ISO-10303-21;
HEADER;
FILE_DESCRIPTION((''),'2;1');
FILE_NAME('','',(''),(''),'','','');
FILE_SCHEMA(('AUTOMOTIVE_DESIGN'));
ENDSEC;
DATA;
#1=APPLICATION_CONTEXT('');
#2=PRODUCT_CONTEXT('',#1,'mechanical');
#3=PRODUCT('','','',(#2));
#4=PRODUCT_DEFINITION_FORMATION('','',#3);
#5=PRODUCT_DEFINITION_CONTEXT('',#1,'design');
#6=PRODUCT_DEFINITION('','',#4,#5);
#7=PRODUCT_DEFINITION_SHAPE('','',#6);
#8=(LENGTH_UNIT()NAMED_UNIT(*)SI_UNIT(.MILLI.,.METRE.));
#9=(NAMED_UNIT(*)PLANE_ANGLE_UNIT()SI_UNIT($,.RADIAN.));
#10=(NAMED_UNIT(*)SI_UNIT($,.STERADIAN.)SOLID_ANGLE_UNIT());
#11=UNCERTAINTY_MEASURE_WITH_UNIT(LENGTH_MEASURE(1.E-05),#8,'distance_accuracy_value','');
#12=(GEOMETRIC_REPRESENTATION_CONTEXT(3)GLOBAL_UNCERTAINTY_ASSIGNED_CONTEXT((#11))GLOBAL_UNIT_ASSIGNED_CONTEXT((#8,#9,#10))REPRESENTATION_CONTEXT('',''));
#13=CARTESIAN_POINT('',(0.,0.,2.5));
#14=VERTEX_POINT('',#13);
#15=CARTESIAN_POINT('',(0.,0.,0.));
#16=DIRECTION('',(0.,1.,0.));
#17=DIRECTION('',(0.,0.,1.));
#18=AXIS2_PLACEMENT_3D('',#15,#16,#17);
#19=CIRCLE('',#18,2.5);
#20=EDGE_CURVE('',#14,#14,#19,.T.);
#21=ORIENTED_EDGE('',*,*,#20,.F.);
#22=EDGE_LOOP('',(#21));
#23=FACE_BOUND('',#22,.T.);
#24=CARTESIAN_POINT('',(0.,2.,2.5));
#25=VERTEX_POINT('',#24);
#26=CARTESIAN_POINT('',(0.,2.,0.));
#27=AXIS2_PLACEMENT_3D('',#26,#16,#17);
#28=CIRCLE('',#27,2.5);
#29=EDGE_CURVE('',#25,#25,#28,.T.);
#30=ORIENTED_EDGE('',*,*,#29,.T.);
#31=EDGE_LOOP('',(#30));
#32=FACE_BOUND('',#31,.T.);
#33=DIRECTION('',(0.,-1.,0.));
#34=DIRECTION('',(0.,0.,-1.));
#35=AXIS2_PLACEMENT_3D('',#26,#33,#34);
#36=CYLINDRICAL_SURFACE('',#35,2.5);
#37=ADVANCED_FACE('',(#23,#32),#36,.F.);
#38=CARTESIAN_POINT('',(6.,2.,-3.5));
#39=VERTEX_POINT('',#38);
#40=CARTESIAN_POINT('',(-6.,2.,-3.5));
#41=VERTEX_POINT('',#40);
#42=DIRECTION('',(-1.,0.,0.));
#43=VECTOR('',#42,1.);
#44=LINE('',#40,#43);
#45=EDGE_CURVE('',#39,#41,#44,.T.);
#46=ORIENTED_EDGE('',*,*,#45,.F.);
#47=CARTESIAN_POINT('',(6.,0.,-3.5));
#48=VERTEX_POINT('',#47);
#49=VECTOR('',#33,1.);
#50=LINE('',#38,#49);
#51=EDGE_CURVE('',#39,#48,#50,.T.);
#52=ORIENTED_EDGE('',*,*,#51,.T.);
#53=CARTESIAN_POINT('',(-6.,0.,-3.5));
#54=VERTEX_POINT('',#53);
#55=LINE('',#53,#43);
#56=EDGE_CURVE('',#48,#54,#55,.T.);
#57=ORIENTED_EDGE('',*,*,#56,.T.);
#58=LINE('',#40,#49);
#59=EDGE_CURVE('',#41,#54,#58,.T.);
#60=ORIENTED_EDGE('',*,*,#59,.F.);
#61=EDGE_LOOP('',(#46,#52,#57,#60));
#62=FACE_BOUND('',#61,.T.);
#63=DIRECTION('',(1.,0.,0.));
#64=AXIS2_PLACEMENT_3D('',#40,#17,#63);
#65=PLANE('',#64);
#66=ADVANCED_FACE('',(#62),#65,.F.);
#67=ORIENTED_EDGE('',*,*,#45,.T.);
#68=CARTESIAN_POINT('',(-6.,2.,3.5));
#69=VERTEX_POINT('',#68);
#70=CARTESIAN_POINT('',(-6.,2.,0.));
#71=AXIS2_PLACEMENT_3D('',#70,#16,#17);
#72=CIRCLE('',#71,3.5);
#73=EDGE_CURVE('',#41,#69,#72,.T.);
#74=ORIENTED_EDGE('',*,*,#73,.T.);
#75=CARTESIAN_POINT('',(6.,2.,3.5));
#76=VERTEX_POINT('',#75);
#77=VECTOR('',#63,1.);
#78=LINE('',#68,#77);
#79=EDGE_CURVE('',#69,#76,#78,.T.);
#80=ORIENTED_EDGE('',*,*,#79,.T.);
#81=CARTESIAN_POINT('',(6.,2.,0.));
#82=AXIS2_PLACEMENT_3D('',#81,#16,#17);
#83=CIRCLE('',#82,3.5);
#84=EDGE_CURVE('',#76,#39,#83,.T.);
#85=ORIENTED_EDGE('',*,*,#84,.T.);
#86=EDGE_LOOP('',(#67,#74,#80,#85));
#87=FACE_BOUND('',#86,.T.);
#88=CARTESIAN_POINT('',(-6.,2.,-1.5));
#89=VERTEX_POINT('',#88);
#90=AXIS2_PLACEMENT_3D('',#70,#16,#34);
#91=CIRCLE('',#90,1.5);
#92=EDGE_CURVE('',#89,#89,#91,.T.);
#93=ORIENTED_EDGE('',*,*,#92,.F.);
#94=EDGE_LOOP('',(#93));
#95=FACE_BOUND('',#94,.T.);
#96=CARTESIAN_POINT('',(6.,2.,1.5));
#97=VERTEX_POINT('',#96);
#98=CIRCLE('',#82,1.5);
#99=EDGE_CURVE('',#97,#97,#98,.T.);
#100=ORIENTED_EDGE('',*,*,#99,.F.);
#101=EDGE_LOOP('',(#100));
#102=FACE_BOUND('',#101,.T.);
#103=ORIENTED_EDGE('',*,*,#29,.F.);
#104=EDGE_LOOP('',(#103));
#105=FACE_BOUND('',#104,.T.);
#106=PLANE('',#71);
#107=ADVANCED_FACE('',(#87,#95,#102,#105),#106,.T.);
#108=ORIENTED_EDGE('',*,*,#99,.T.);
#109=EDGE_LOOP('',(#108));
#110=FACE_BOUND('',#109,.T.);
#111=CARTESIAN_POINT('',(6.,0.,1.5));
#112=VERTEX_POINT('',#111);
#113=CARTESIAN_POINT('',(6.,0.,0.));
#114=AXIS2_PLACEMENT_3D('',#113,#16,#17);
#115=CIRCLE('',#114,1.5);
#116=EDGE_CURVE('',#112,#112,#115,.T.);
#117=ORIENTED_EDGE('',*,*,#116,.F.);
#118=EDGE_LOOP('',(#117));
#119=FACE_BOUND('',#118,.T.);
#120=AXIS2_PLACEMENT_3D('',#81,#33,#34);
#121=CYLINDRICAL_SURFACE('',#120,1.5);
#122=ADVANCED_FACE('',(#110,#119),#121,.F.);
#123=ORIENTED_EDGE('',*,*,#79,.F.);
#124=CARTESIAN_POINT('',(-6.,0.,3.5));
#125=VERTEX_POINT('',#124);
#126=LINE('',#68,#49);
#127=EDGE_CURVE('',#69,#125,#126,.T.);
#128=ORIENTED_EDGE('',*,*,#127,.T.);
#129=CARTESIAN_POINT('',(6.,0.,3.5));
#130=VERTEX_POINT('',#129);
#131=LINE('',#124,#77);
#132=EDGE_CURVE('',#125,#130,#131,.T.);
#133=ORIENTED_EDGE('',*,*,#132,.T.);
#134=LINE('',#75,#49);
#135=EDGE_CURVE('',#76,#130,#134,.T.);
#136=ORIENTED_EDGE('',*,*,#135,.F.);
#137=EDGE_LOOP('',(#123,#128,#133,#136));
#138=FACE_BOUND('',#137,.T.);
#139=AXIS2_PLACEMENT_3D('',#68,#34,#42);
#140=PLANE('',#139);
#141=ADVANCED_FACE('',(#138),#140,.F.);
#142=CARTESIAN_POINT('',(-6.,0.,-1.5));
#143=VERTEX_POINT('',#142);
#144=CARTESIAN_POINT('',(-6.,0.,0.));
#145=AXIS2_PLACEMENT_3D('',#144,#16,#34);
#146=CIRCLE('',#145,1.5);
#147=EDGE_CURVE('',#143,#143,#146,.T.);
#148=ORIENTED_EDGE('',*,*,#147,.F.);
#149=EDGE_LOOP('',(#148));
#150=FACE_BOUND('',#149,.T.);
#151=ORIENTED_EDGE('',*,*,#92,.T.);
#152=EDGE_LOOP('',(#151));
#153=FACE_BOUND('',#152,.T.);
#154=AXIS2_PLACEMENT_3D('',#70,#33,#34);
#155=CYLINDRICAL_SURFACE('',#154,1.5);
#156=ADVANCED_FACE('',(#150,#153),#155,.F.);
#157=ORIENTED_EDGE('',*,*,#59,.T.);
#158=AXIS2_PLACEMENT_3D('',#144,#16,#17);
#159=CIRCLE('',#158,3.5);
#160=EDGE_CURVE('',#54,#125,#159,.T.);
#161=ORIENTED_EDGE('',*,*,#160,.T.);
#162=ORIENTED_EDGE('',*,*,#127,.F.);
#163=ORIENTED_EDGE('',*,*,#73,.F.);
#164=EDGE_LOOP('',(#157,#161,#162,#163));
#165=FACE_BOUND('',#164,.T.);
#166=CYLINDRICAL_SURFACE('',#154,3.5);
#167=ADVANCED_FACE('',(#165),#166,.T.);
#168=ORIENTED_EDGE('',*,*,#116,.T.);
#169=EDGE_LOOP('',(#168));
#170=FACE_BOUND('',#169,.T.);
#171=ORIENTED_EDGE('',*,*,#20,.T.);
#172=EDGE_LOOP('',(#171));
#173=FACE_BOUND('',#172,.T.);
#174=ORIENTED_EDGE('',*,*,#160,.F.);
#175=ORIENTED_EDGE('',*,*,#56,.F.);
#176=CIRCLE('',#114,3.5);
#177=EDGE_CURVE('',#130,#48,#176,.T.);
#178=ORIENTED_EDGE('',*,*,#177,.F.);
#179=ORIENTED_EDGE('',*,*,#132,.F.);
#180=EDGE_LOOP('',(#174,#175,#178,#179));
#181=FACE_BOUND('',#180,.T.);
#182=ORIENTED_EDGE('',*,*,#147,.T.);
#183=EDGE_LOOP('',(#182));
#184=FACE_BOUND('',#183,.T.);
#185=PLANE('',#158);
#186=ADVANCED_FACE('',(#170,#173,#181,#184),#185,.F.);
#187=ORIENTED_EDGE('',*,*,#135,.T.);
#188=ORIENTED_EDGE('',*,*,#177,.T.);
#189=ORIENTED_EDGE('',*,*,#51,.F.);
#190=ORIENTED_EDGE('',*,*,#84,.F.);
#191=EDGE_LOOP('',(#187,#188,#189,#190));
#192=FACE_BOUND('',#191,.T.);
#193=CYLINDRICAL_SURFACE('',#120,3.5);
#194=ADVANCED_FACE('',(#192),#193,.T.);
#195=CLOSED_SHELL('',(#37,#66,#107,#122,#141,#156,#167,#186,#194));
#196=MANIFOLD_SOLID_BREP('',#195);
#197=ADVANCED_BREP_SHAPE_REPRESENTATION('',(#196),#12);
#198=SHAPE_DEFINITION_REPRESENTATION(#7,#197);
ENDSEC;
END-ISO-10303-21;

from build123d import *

# Parameters (mm, degrees)
SZKIC1_R                    = 1.5
SZKIC1_R_2                  = 2.5
DODANIE_WYCI_GNI_CIE1_DEPTH = 2


with BuildPart() as part:
    # Szkic1 → Dodanie-wyciągnięcie1 (new body)
    with BuildSketch(Plane(origin=(0, 0, 0), x_dir=(1, 0, 0), z_dir=(0, 1, 0))):
        with BuildLine():
            Line((-6, 3.5), (6, 3.5))
            ThreePointArc((6, 3.5), (9.5, 0), (6, -3.5))
            Line((6, -3.5), (-6, -3.5))
            ThreePointArc((-6, -3.5), (-9.5, 0), (-6, 3.5))
        make_face()
        with Locations(Location((6, 0, 0), (0, 0, 270))):
            Circle(SZKIC1_R, mode=Mode.SUBTRACT)
        with Locations(Location((-6, 0, 0), (0, 0, 90))):
            Circle(SZKIC1_R, mode=Mode.SUBTRACT)
        with Locations(Location((0, 0, 0), (0, 0, 270))):
            Circle(SZKIC1_R_2, mode=Mode.SUBTRACT)
    extrude(amount=DODANIE_WYCI_GNI_CIE1_DEPTH)


solid = part.part
